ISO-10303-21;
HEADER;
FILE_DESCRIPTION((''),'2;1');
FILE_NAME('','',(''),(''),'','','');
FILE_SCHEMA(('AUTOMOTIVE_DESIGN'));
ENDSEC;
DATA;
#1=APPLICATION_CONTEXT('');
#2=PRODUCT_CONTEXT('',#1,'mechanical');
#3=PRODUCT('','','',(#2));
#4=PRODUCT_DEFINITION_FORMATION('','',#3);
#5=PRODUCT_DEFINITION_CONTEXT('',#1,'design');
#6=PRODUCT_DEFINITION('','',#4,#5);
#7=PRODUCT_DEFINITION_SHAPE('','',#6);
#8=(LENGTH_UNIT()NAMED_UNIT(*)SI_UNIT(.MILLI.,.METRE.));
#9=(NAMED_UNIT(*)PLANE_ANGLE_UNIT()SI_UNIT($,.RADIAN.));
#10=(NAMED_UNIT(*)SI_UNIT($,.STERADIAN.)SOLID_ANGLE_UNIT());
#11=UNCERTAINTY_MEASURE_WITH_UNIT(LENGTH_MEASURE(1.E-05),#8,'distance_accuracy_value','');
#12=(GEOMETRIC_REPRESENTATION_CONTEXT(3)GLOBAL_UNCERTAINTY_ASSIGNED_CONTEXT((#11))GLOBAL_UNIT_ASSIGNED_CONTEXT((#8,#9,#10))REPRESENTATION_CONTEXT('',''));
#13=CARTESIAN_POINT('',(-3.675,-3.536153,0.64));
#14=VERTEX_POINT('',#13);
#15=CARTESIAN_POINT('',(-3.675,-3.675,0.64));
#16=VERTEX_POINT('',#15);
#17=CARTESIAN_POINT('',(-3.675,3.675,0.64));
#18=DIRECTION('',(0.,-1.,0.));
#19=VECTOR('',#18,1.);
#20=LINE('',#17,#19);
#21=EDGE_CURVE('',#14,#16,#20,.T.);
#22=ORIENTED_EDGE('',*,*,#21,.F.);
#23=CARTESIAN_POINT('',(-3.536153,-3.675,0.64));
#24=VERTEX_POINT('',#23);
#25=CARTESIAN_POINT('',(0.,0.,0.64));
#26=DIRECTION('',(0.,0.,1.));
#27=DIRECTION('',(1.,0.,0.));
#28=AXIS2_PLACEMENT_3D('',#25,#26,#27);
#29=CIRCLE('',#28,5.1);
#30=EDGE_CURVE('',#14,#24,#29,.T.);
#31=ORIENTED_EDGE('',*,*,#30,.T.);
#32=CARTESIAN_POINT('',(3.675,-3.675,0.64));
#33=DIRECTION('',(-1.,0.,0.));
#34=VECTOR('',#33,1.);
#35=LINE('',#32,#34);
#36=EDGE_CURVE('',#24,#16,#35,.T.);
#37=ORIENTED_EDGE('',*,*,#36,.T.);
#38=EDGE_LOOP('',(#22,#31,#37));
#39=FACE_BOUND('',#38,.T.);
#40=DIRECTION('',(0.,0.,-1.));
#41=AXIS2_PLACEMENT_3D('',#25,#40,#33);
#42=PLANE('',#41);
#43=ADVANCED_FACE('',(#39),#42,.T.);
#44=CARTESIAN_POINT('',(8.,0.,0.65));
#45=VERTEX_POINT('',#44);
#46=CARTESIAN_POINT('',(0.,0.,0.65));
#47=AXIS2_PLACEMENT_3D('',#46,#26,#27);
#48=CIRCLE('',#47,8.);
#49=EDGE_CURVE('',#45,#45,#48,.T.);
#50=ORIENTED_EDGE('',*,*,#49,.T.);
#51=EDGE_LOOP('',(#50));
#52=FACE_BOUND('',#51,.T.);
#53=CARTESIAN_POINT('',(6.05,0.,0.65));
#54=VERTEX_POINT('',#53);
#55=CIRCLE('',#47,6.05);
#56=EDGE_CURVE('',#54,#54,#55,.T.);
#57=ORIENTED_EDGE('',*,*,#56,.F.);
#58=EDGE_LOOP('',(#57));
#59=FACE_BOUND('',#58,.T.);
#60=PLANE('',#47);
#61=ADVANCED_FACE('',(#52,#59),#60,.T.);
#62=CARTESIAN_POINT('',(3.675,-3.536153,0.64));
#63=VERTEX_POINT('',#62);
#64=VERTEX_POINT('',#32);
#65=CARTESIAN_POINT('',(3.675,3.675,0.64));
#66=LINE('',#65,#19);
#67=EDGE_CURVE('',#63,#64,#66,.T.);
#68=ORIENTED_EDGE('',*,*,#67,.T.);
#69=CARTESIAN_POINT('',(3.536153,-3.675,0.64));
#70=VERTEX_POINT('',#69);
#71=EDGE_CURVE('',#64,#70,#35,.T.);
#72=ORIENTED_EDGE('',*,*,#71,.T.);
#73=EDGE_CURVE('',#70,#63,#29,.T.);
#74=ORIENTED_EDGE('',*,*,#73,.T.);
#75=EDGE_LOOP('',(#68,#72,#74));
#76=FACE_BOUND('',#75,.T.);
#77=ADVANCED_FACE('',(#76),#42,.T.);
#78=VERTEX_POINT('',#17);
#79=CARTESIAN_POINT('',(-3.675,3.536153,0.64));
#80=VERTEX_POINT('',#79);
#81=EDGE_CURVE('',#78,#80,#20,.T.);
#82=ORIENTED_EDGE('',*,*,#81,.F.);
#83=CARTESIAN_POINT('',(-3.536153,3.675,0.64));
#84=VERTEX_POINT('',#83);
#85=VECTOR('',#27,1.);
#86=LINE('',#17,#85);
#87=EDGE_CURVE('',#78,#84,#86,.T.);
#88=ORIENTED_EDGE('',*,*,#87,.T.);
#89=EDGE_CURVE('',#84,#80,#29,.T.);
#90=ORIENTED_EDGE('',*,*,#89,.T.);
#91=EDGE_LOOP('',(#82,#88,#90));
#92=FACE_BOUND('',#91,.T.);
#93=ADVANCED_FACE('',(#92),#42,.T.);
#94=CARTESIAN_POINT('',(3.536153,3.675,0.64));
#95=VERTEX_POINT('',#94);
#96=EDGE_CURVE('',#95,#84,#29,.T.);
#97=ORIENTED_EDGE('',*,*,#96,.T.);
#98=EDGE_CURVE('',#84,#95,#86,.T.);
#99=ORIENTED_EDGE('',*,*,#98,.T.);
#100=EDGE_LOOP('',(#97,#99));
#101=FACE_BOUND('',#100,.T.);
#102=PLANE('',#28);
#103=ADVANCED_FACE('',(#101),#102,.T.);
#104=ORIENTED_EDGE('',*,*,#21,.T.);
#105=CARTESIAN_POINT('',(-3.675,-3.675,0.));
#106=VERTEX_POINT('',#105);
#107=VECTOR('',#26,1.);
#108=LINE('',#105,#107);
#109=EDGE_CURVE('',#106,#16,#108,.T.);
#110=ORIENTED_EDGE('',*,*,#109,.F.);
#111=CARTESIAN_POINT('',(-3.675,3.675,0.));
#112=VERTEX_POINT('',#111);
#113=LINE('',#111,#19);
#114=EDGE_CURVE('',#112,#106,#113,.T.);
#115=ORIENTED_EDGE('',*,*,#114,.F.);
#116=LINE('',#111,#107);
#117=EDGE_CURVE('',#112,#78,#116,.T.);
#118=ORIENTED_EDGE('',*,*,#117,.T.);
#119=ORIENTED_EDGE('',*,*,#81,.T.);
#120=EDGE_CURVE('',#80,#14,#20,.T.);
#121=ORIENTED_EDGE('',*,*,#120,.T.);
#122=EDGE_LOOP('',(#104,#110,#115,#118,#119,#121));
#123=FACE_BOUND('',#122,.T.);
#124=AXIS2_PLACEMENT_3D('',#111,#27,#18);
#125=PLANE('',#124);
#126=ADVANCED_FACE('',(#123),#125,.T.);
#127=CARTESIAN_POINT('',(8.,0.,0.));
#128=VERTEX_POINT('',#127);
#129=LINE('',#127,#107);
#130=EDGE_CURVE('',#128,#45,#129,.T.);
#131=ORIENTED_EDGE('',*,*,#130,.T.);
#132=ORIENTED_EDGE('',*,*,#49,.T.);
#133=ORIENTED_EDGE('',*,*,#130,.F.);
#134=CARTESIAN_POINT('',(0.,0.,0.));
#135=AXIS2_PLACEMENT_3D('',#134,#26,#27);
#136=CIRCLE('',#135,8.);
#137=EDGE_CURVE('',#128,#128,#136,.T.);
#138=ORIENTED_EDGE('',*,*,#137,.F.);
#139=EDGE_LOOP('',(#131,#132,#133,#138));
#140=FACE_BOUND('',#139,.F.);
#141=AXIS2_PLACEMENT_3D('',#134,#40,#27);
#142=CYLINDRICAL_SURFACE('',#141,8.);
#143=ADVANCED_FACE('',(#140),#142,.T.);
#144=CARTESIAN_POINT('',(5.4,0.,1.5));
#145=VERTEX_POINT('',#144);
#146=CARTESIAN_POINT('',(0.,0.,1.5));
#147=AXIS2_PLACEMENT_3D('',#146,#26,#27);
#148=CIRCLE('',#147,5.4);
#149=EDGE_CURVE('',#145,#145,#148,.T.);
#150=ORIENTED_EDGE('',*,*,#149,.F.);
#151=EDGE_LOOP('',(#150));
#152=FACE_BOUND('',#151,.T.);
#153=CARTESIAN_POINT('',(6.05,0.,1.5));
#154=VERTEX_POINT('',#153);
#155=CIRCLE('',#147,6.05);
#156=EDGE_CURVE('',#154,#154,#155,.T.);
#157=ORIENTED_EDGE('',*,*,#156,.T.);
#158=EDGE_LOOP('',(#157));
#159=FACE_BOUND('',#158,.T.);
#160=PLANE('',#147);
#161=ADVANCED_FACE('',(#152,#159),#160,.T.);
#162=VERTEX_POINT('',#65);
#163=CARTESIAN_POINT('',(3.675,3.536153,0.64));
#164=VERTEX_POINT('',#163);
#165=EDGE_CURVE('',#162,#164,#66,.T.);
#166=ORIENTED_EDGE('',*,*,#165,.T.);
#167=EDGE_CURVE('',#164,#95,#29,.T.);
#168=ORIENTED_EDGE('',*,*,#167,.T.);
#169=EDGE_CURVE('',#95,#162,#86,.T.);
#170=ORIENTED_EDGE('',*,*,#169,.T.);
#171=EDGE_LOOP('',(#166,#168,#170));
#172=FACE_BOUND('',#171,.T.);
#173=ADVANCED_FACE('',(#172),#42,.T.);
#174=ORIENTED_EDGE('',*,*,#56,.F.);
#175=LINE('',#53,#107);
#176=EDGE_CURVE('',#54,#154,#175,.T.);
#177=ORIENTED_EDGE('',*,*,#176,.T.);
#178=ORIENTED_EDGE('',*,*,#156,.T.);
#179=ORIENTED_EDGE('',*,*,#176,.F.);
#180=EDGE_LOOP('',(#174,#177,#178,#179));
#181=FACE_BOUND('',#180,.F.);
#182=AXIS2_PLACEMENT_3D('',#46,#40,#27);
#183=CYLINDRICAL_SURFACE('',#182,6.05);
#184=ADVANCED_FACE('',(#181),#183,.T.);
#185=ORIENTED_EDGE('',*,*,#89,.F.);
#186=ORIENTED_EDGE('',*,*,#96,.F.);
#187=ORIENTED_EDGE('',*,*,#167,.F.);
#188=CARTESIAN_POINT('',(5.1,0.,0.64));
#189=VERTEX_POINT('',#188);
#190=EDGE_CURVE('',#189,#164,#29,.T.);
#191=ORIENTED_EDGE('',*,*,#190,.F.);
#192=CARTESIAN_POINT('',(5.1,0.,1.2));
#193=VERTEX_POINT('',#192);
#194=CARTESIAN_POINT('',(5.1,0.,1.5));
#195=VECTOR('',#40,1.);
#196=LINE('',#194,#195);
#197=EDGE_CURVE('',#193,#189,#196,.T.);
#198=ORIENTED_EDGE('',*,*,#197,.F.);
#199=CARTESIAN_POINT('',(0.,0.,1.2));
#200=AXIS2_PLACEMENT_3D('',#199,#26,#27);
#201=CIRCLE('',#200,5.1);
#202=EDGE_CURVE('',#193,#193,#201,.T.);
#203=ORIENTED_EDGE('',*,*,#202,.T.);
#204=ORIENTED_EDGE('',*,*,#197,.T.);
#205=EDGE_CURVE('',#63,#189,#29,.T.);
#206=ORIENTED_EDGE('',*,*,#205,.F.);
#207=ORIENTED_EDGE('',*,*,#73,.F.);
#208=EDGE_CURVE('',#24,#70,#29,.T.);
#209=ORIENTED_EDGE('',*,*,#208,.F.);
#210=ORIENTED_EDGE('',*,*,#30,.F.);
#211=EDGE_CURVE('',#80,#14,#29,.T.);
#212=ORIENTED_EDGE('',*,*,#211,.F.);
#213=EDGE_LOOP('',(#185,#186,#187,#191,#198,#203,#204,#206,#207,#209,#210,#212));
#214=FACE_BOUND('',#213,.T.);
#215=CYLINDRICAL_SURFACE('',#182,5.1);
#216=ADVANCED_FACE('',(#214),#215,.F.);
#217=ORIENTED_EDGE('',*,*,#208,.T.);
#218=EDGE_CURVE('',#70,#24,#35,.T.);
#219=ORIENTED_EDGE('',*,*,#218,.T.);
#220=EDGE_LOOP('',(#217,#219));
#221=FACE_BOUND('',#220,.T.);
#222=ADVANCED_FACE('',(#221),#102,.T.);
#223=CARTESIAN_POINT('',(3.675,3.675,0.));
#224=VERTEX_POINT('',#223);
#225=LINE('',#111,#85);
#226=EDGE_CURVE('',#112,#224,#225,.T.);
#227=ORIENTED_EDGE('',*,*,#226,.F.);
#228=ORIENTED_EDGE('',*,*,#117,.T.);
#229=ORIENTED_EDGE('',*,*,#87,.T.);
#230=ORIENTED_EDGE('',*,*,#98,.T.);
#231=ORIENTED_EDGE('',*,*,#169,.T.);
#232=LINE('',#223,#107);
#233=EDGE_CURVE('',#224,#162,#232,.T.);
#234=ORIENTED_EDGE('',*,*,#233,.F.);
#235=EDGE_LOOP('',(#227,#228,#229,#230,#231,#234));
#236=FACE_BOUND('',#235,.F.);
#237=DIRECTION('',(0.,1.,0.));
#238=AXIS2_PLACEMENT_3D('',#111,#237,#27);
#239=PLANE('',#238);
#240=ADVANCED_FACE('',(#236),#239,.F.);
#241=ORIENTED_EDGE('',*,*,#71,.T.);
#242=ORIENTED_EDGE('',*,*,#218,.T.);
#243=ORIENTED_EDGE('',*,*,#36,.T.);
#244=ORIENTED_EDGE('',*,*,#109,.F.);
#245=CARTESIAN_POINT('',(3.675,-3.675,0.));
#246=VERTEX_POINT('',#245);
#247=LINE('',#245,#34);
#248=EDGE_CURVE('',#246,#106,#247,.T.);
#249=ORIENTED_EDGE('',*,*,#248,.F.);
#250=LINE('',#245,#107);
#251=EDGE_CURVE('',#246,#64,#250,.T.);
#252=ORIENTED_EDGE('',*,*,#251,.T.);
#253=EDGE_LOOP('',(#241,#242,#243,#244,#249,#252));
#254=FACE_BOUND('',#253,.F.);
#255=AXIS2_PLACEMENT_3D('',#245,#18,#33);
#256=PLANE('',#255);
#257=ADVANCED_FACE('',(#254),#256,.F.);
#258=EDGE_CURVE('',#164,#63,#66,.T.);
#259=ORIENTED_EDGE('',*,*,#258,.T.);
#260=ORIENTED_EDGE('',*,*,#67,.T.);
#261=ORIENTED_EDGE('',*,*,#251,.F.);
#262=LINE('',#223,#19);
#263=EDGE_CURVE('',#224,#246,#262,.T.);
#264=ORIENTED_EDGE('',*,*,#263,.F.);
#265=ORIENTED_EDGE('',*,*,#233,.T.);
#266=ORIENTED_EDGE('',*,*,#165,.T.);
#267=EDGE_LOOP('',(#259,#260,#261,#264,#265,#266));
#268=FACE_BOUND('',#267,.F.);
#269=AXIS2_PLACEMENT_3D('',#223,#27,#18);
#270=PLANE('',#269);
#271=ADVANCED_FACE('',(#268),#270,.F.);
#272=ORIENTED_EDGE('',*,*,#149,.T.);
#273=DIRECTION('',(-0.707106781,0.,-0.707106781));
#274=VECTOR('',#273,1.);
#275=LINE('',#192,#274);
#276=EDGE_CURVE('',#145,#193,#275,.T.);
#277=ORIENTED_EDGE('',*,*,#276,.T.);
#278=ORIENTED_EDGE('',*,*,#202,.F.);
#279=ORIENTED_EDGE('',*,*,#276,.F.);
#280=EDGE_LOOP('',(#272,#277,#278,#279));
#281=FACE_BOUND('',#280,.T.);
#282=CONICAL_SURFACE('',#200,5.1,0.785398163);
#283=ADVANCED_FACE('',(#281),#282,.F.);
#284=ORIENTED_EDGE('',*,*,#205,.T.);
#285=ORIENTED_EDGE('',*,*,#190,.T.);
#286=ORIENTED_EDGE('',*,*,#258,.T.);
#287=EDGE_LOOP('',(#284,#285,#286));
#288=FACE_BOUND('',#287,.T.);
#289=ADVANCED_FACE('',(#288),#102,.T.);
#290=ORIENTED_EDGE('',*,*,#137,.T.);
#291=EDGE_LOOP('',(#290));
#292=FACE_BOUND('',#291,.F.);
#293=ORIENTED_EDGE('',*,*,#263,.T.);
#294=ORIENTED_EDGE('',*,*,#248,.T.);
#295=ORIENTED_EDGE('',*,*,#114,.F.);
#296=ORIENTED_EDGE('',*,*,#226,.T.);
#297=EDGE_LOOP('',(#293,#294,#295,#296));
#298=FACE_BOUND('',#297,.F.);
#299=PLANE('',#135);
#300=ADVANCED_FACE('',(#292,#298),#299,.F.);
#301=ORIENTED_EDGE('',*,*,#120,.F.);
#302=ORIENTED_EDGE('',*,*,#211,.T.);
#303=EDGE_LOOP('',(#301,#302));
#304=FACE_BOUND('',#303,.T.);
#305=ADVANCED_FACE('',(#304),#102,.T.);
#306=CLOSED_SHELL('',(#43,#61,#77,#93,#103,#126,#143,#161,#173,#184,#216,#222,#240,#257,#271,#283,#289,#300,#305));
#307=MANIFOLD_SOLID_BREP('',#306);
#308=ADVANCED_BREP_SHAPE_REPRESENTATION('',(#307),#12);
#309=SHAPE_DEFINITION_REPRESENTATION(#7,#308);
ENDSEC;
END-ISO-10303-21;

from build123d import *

# Parameters (mm, degrees)
SKETCH_1_R          = 8
EXTRUDE_1_DEPTH     = 0.65
EXTRUDE_START       = 0.65
SKETCH_2_R          = 6.05
SKETCH_2_R_2        = 5.1
EXTRUDE_2_DEPTH     = 0.85
CUT_EXTRUDE_START   = 0.65
SKETCH_3_R          = 5.1
CUT_EXTRUDE_1_DEPTH = 0.01
CUT_EXTRUDE_2_DEPTH = 0.64
CHAMFER_1_SIZE      = 0.3


with BuildPart() as part:
    # 草图1 → 凸台-拉伸1 (new body)
    with BuildSketch(Plane.XY):
        Circle(SKETCH_1_R)
    extrude(amount=EXTRUDE_1_DEPTH)

    # 草图2 → 凸台-拉伸2 (add)
    with BuildSketch(Plane.XY.offset(EXTRUDE_START)):
        Circle(SKETCH_2_R)
        Circle(SKETCH_2_R_2, mode=Mode.SUBTRACT)
    extrude(amount=EXTRUDE_2_DEPTH)

    # 草图3 → 切除-拉伸1 (cut)
    with BuildSketch(Plane.XY.offset(CUT_EXTRUDE_START)):
        Circle(SKETCH_3_R)
    extrude(amount=-CUT_EXTRUDE_1_DEPTH, mode=Mode.SUBTRACT)

    # 草图4 → 切除-拉伸2 (cut)
    with BuildSketch(Plane.XY):
        Polygon((3.675, 3.675), (3.675, -3.675), (-3.675, -3.675), (-3.675, 0), (-3.675, 3.675), align=None)
    extrude(amount=CUT_EXTRUDE_2_DEPTH, mode=Mode.SUBTRACT)

    # 倒角1
    chamfer_1_edges = [part.edges().sort_by_distance(p)[0] for p in [
        (-5.1, 0, 1.5),
    ]]
    chamfer(chamfer_1_edges, length=CHAMFER_1_SIZE)


solid = part.part
